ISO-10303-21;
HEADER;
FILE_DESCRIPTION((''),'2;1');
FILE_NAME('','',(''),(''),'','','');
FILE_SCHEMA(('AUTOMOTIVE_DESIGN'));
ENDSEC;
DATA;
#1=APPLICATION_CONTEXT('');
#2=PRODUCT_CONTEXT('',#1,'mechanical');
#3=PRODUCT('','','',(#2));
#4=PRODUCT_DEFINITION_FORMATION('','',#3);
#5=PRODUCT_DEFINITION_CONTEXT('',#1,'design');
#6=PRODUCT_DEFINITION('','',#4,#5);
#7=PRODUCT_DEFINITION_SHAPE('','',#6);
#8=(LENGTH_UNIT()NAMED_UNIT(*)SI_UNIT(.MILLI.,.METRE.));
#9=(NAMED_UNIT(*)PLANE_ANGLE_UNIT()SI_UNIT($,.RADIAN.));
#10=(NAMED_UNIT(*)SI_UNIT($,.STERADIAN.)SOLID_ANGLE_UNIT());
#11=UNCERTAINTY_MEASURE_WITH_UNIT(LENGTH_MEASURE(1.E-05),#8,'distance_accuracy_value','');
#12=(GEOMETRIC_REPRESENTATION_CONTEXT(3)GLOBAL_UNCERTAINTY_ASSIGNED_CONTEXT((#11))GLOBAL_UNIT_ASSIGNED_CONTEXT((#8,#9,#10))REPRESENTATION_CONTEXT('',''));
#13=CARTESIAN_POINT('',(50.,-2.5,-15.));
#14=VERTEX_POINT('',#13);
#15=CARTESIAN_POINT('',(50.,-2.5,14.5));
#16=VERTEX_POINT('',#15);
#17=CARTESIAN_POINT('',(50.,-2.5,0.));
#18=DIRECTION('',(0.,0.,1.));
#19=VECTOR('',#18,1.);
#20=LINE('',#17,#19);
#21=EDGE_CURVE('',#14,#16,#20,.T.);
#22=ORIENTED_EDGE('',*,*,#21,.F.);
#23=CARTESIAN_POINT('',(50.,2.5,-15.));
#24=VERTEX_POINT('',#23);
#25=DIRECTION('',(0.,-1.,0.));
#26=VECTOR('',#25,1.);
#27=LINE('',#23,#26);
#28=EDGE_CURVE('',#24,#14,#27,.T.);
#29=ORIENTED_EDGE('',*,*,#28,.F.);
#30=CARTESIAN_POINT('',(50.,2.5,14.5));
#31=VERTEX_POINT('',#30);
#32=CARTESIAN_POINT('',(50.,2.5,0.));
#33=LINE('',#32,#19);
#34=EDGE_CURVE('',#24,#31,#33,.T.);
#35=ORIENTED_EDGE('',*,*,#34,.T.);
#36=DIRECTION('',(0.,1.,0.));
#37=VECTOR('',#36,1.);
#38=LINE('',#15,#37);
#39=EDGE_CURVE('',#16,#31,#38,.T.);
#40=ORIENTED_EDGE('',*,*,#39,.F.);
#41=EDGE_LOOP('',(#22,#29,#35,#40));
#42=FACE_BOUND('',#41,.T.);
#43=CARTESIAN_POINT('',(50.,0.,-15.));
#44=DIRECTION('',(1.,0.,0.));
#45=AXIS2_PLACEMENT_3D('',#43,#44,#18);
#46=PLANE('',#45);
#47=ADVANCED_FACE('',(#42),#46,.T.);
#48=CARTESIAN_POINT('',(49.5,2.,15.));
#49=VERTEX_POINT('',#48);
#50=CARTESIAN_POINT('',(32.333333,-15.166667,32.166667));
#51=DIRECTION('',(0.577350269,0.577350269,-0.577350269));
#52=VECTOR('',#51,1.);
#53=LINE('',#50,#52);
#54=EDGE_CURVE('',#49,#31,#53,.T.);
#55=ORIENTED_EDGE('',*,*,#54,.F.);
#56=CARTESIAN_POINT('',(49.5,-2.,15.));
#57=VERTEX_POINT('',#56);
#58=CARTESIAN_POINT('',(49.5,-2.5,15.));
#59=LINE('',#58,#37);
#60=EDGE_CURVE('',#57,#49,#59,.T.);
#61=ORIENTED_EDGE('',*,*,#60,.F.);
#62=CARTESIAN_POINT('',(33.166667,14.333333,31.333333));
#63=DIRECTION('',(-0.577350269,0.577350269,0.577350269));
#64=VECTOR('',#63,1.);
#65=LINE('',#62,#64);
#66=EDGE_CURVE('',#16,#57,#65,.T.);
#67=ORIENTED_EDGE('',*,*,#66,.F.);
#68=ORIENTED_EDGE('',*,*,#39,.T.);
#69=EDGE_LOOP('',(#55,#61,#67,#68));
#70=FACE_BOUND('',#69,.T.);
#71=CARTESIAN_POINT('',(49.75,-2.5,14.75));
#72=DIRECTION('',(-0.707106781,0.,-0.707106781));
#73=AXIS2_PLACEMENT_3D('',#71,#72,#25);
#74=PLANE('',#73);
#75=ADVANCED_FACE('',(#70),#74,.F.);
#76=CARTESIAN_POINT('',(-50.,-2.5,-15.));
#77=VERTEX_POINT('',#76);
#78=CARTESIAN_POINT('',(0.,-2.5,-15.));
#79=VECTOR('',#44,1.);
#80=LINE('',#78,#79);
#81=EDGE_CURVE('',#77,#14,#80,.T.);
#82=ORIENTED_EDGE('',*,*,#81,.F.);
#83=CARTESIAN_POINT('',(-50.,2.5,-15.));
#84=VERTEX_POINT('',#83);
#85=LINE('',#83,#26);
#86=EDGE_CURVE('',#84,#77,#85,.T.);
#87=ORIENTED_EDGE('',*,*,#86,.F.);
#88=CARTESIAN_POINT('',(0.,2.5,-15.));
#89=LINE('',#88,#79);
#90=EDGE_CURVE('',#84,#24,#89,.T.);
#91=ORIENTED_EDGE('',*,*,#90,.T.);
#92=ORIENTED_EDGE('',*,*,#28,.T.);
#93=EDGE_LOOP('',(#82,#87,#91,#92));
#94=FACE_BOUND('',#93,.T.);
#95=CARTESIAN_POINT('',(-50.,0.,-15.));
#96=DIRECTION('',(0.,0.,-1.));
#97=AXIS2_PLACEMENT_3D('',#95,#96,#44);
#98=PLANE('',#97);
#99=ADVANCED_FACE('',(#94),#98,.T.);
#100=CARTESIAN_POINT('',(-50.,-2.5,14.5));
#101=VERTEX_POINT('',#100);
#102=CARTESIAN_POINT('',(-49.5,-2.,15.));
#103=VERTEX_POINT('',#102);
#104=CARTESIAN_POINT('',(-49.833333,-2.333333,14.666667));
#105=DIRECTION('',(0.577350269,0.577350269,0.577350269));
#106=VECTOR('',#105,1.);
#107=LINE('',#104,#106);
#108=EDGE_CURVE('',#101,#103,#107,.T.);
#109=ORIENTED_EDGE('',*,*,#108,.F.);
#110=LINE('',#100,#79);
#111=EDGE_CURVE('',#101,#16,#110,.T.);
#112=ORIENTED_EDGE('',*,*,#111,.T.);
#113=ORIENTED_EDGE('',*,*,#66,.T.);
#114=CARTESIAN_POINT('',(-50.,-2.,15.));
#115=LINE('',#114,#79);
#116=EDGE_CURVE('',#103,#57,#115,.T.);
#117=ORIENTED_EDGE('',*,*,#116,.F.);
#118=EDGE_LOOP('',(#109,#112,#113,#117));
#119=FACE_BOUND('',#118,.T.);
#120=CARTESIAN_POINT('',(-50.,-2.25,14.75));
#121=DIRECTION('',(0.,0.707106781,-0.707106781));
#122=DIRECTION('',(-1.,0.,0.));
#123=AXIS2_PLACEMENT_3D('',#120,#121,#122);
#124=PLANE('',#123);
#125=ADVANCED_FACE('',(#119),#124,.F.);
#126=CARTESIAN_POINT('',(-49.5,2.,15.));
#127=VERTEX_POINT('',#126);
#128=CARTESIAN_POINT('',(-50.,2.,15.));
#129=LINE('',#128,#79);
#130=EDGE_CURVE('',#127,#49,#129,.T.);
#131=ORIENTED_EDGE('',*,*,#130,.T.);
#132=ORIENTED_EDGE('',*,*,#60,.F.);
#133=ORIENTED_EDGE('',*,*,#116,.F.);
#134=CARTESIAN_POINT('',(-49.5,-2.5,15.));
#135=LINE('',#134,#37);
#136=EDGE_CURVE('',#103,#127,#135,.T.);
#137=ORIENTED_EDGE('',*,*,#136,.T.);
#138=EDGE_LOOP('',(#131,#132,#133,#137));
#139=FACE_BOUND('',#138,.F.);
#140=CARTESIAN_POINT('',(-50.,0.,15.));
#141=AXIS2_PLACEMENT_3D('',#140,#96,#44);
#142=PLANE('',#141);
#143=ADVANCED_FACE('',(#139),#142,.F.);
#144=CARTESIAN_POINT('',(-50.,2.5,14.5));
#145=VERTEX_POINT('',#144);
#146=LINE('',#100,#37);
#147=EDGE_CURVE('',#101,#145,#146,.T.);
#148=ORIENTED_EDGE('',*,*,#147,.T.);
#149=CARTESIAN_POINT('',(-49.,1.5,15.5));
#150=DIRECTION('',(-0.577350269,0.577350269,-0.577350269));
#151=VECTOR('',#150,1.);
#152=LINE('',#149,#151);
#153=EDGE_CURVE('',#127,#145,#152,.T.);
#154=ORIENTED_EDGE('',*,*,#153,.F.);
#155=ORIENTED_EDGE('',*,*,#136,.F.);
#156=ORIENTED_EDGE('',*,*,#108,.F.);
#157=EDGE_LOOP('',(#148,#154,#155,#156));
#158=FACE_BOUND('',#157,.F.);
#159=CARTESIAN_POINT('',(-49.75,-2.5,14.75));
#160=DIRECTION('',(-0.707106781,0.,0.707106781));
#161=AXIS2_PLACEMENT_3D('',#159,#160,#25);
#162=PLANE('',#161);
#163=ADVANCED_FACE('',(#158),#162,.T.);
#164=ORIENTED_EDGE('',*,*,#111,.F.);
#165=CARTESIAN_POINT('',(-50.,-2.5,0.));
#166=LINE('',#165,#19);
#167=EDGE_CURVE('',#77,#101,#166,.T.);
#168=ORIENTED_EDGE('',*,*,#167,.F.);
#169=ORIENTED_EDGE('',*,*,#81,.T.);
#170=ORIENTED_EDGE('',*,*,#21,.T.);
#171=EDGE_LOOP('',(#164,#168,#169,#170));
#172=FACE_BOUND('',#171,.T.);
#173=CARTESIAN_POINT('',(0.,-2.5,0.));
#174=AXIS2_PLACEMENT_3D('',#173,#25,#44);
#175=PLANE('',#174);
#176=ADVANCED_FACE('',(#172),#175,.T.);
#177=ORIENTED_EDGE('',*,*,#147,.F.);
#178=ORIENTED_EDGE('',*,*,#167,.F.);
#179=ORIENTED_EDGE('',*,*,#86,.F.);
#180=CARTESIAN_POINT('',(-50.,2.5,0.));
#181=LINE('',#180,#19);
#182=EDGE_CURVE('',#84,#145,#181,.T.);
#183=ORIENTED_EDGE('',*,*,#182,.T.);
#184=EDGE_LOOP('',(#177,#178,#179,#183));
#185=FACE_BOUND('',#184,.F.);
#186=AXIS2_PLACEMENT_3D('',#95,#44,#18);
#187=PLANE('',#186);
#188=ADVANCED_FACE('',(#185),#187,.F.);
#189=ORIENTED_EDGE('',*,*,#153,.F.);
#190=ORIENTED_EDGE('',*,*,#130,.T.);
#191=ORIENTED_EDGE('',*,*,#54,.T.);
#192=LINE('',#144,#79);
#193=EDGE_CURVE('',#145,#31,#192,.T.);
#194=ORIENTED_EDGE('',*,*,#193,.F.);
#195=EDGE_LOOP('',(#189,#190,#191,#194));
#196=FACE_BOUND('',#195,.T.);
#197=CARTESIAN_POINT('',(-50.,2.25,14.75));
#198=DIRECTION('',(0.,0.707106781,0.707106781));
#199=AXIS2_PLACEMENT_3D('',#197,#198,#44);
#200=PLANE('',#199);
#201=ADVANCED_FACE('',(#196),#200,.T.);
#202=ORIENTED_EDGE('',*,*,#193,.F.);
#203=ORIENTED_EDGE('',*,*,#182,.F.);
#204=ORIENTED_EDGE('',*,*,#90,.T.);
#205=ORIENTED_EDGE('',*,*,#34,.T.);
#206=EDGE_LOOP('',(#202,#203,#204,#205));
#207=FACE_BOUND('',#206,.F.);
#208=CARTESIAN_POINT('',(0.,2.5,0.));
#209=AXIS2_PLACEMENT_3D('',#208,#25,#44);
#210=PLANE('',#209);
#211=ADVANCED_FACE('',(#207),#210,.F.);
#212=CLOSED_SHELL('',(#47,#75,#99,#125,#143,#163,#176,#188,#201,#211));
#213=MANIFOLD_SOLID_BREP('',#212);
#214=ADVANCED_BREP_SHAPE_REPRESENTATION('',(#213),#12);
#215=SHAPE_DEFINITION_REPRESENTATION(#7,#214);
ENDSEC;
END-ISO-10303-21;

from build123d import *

# Parameters (mm, degrees)
F0_W     = 100
F0_H     = 30
F1_DEPTH = 2.5
F2_SIZE  = 0.5


with BuildPart() as f1:
    # F0 (on Front) → F1 (new body, symmetric)
    with BuildSketch(Plane.XZ):
        Rectangle(F0_W, F0_H)
    extrude(amount=F1_DEPTH, both=True)

    # F2
    f2_edges = [f1.edges().sort_by_distance(p)[0] for p in [
        (0, 2.5, 15),
        (0, -2.5, 15),
        (-50, 0, 15),
        (50, 0, 15),
    ]]
    chamfer(f2_edges, length=F2_SIZE)


solid = f1.part
